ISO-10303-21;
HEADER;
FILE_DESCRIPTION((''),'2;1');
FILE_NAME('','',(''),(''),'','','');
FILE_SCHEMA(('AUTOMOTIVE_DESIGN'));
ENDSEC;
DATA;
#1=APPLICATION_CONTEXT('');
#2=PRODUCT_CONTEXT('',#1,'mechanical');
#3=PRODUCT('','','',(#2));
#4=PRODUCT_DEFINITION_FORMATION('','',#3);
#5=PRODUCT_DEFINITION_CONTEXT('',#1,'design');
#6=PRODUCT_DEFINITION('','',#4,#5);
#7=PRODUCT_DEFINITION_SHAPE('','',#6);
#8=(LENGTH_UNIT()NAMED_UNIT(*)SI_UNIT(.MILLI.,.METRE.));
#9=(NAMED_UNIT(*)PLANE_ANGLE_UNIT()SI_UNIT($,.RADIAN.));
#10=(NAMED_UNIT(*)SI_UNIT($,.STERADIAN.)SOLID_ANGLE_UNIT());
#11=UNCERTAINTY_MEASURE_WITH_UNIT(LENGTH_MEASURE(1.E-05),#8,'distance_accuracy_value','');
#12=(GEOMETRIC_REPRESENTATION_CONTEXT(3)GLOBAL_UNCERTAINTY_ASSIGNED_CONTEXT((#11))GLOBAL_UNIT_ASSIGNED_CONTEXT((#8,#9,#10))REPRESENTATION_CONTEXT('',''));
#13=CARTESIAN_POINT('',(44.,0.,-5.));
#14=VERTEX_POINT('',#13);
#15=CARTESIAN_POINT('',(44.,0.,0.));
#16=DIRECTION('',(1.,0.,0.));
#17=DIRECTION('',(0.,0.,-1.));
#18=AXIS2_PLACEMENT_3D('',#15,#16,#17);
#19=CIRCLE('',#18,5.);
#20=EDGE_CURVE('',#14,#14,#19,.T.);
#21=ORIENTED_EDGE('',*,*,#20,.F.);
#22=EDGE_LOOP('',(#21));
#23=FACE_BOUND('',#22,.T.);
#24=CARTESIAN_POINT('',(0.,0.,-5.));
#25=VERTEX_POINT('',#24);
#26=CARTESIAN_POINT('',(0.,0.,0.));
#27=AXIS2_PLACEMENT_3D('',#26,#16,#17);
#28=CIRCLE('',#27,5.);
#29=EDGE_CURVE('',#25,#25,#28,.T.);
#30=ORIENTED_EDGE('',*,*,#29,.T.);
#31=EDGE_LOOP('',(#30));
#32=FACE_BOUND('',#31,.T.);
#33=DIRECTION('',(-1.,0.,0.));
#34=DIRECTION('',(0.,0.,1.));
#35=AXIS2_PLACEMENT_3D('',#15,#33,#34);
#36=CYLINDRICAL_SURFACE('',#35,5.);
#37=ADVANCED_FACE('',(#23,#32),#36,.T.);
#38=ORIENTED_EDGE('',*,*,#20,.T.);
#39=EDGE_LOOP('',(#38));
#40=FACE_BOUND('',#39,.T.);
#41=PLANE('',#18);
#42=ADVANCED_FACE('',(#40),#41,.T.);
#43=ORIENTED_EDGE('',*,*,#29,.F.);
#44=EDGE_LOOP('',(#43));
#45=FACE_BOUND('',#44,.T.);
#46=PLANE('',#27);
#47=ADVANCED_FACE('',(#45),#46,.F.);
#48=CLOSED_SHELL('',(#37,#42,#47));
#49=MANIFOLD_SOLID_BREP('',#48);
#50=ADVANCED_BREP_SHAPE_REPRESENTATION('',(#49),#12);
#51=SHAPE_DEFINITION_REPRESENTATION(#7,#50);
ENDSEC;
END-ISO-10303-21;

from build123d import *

# Parameters (mm, degrees)
SKETCH_1_R      = 5
EXTRUDE_1_DEPTH = 44


with BuildPart() as part:
    # Эскиз1 → Бобышка-Вытянуть1 (new body)
    with BuildSketch(Plane(origin=(0, 0, 0), x_dir=(0, 0, -1), z_dir=(1, 0, 0))):
        Circle(SKETCH_1_R)
    extrude(amount=EXTRUDE_1_DEPTH)


solid = part.part
